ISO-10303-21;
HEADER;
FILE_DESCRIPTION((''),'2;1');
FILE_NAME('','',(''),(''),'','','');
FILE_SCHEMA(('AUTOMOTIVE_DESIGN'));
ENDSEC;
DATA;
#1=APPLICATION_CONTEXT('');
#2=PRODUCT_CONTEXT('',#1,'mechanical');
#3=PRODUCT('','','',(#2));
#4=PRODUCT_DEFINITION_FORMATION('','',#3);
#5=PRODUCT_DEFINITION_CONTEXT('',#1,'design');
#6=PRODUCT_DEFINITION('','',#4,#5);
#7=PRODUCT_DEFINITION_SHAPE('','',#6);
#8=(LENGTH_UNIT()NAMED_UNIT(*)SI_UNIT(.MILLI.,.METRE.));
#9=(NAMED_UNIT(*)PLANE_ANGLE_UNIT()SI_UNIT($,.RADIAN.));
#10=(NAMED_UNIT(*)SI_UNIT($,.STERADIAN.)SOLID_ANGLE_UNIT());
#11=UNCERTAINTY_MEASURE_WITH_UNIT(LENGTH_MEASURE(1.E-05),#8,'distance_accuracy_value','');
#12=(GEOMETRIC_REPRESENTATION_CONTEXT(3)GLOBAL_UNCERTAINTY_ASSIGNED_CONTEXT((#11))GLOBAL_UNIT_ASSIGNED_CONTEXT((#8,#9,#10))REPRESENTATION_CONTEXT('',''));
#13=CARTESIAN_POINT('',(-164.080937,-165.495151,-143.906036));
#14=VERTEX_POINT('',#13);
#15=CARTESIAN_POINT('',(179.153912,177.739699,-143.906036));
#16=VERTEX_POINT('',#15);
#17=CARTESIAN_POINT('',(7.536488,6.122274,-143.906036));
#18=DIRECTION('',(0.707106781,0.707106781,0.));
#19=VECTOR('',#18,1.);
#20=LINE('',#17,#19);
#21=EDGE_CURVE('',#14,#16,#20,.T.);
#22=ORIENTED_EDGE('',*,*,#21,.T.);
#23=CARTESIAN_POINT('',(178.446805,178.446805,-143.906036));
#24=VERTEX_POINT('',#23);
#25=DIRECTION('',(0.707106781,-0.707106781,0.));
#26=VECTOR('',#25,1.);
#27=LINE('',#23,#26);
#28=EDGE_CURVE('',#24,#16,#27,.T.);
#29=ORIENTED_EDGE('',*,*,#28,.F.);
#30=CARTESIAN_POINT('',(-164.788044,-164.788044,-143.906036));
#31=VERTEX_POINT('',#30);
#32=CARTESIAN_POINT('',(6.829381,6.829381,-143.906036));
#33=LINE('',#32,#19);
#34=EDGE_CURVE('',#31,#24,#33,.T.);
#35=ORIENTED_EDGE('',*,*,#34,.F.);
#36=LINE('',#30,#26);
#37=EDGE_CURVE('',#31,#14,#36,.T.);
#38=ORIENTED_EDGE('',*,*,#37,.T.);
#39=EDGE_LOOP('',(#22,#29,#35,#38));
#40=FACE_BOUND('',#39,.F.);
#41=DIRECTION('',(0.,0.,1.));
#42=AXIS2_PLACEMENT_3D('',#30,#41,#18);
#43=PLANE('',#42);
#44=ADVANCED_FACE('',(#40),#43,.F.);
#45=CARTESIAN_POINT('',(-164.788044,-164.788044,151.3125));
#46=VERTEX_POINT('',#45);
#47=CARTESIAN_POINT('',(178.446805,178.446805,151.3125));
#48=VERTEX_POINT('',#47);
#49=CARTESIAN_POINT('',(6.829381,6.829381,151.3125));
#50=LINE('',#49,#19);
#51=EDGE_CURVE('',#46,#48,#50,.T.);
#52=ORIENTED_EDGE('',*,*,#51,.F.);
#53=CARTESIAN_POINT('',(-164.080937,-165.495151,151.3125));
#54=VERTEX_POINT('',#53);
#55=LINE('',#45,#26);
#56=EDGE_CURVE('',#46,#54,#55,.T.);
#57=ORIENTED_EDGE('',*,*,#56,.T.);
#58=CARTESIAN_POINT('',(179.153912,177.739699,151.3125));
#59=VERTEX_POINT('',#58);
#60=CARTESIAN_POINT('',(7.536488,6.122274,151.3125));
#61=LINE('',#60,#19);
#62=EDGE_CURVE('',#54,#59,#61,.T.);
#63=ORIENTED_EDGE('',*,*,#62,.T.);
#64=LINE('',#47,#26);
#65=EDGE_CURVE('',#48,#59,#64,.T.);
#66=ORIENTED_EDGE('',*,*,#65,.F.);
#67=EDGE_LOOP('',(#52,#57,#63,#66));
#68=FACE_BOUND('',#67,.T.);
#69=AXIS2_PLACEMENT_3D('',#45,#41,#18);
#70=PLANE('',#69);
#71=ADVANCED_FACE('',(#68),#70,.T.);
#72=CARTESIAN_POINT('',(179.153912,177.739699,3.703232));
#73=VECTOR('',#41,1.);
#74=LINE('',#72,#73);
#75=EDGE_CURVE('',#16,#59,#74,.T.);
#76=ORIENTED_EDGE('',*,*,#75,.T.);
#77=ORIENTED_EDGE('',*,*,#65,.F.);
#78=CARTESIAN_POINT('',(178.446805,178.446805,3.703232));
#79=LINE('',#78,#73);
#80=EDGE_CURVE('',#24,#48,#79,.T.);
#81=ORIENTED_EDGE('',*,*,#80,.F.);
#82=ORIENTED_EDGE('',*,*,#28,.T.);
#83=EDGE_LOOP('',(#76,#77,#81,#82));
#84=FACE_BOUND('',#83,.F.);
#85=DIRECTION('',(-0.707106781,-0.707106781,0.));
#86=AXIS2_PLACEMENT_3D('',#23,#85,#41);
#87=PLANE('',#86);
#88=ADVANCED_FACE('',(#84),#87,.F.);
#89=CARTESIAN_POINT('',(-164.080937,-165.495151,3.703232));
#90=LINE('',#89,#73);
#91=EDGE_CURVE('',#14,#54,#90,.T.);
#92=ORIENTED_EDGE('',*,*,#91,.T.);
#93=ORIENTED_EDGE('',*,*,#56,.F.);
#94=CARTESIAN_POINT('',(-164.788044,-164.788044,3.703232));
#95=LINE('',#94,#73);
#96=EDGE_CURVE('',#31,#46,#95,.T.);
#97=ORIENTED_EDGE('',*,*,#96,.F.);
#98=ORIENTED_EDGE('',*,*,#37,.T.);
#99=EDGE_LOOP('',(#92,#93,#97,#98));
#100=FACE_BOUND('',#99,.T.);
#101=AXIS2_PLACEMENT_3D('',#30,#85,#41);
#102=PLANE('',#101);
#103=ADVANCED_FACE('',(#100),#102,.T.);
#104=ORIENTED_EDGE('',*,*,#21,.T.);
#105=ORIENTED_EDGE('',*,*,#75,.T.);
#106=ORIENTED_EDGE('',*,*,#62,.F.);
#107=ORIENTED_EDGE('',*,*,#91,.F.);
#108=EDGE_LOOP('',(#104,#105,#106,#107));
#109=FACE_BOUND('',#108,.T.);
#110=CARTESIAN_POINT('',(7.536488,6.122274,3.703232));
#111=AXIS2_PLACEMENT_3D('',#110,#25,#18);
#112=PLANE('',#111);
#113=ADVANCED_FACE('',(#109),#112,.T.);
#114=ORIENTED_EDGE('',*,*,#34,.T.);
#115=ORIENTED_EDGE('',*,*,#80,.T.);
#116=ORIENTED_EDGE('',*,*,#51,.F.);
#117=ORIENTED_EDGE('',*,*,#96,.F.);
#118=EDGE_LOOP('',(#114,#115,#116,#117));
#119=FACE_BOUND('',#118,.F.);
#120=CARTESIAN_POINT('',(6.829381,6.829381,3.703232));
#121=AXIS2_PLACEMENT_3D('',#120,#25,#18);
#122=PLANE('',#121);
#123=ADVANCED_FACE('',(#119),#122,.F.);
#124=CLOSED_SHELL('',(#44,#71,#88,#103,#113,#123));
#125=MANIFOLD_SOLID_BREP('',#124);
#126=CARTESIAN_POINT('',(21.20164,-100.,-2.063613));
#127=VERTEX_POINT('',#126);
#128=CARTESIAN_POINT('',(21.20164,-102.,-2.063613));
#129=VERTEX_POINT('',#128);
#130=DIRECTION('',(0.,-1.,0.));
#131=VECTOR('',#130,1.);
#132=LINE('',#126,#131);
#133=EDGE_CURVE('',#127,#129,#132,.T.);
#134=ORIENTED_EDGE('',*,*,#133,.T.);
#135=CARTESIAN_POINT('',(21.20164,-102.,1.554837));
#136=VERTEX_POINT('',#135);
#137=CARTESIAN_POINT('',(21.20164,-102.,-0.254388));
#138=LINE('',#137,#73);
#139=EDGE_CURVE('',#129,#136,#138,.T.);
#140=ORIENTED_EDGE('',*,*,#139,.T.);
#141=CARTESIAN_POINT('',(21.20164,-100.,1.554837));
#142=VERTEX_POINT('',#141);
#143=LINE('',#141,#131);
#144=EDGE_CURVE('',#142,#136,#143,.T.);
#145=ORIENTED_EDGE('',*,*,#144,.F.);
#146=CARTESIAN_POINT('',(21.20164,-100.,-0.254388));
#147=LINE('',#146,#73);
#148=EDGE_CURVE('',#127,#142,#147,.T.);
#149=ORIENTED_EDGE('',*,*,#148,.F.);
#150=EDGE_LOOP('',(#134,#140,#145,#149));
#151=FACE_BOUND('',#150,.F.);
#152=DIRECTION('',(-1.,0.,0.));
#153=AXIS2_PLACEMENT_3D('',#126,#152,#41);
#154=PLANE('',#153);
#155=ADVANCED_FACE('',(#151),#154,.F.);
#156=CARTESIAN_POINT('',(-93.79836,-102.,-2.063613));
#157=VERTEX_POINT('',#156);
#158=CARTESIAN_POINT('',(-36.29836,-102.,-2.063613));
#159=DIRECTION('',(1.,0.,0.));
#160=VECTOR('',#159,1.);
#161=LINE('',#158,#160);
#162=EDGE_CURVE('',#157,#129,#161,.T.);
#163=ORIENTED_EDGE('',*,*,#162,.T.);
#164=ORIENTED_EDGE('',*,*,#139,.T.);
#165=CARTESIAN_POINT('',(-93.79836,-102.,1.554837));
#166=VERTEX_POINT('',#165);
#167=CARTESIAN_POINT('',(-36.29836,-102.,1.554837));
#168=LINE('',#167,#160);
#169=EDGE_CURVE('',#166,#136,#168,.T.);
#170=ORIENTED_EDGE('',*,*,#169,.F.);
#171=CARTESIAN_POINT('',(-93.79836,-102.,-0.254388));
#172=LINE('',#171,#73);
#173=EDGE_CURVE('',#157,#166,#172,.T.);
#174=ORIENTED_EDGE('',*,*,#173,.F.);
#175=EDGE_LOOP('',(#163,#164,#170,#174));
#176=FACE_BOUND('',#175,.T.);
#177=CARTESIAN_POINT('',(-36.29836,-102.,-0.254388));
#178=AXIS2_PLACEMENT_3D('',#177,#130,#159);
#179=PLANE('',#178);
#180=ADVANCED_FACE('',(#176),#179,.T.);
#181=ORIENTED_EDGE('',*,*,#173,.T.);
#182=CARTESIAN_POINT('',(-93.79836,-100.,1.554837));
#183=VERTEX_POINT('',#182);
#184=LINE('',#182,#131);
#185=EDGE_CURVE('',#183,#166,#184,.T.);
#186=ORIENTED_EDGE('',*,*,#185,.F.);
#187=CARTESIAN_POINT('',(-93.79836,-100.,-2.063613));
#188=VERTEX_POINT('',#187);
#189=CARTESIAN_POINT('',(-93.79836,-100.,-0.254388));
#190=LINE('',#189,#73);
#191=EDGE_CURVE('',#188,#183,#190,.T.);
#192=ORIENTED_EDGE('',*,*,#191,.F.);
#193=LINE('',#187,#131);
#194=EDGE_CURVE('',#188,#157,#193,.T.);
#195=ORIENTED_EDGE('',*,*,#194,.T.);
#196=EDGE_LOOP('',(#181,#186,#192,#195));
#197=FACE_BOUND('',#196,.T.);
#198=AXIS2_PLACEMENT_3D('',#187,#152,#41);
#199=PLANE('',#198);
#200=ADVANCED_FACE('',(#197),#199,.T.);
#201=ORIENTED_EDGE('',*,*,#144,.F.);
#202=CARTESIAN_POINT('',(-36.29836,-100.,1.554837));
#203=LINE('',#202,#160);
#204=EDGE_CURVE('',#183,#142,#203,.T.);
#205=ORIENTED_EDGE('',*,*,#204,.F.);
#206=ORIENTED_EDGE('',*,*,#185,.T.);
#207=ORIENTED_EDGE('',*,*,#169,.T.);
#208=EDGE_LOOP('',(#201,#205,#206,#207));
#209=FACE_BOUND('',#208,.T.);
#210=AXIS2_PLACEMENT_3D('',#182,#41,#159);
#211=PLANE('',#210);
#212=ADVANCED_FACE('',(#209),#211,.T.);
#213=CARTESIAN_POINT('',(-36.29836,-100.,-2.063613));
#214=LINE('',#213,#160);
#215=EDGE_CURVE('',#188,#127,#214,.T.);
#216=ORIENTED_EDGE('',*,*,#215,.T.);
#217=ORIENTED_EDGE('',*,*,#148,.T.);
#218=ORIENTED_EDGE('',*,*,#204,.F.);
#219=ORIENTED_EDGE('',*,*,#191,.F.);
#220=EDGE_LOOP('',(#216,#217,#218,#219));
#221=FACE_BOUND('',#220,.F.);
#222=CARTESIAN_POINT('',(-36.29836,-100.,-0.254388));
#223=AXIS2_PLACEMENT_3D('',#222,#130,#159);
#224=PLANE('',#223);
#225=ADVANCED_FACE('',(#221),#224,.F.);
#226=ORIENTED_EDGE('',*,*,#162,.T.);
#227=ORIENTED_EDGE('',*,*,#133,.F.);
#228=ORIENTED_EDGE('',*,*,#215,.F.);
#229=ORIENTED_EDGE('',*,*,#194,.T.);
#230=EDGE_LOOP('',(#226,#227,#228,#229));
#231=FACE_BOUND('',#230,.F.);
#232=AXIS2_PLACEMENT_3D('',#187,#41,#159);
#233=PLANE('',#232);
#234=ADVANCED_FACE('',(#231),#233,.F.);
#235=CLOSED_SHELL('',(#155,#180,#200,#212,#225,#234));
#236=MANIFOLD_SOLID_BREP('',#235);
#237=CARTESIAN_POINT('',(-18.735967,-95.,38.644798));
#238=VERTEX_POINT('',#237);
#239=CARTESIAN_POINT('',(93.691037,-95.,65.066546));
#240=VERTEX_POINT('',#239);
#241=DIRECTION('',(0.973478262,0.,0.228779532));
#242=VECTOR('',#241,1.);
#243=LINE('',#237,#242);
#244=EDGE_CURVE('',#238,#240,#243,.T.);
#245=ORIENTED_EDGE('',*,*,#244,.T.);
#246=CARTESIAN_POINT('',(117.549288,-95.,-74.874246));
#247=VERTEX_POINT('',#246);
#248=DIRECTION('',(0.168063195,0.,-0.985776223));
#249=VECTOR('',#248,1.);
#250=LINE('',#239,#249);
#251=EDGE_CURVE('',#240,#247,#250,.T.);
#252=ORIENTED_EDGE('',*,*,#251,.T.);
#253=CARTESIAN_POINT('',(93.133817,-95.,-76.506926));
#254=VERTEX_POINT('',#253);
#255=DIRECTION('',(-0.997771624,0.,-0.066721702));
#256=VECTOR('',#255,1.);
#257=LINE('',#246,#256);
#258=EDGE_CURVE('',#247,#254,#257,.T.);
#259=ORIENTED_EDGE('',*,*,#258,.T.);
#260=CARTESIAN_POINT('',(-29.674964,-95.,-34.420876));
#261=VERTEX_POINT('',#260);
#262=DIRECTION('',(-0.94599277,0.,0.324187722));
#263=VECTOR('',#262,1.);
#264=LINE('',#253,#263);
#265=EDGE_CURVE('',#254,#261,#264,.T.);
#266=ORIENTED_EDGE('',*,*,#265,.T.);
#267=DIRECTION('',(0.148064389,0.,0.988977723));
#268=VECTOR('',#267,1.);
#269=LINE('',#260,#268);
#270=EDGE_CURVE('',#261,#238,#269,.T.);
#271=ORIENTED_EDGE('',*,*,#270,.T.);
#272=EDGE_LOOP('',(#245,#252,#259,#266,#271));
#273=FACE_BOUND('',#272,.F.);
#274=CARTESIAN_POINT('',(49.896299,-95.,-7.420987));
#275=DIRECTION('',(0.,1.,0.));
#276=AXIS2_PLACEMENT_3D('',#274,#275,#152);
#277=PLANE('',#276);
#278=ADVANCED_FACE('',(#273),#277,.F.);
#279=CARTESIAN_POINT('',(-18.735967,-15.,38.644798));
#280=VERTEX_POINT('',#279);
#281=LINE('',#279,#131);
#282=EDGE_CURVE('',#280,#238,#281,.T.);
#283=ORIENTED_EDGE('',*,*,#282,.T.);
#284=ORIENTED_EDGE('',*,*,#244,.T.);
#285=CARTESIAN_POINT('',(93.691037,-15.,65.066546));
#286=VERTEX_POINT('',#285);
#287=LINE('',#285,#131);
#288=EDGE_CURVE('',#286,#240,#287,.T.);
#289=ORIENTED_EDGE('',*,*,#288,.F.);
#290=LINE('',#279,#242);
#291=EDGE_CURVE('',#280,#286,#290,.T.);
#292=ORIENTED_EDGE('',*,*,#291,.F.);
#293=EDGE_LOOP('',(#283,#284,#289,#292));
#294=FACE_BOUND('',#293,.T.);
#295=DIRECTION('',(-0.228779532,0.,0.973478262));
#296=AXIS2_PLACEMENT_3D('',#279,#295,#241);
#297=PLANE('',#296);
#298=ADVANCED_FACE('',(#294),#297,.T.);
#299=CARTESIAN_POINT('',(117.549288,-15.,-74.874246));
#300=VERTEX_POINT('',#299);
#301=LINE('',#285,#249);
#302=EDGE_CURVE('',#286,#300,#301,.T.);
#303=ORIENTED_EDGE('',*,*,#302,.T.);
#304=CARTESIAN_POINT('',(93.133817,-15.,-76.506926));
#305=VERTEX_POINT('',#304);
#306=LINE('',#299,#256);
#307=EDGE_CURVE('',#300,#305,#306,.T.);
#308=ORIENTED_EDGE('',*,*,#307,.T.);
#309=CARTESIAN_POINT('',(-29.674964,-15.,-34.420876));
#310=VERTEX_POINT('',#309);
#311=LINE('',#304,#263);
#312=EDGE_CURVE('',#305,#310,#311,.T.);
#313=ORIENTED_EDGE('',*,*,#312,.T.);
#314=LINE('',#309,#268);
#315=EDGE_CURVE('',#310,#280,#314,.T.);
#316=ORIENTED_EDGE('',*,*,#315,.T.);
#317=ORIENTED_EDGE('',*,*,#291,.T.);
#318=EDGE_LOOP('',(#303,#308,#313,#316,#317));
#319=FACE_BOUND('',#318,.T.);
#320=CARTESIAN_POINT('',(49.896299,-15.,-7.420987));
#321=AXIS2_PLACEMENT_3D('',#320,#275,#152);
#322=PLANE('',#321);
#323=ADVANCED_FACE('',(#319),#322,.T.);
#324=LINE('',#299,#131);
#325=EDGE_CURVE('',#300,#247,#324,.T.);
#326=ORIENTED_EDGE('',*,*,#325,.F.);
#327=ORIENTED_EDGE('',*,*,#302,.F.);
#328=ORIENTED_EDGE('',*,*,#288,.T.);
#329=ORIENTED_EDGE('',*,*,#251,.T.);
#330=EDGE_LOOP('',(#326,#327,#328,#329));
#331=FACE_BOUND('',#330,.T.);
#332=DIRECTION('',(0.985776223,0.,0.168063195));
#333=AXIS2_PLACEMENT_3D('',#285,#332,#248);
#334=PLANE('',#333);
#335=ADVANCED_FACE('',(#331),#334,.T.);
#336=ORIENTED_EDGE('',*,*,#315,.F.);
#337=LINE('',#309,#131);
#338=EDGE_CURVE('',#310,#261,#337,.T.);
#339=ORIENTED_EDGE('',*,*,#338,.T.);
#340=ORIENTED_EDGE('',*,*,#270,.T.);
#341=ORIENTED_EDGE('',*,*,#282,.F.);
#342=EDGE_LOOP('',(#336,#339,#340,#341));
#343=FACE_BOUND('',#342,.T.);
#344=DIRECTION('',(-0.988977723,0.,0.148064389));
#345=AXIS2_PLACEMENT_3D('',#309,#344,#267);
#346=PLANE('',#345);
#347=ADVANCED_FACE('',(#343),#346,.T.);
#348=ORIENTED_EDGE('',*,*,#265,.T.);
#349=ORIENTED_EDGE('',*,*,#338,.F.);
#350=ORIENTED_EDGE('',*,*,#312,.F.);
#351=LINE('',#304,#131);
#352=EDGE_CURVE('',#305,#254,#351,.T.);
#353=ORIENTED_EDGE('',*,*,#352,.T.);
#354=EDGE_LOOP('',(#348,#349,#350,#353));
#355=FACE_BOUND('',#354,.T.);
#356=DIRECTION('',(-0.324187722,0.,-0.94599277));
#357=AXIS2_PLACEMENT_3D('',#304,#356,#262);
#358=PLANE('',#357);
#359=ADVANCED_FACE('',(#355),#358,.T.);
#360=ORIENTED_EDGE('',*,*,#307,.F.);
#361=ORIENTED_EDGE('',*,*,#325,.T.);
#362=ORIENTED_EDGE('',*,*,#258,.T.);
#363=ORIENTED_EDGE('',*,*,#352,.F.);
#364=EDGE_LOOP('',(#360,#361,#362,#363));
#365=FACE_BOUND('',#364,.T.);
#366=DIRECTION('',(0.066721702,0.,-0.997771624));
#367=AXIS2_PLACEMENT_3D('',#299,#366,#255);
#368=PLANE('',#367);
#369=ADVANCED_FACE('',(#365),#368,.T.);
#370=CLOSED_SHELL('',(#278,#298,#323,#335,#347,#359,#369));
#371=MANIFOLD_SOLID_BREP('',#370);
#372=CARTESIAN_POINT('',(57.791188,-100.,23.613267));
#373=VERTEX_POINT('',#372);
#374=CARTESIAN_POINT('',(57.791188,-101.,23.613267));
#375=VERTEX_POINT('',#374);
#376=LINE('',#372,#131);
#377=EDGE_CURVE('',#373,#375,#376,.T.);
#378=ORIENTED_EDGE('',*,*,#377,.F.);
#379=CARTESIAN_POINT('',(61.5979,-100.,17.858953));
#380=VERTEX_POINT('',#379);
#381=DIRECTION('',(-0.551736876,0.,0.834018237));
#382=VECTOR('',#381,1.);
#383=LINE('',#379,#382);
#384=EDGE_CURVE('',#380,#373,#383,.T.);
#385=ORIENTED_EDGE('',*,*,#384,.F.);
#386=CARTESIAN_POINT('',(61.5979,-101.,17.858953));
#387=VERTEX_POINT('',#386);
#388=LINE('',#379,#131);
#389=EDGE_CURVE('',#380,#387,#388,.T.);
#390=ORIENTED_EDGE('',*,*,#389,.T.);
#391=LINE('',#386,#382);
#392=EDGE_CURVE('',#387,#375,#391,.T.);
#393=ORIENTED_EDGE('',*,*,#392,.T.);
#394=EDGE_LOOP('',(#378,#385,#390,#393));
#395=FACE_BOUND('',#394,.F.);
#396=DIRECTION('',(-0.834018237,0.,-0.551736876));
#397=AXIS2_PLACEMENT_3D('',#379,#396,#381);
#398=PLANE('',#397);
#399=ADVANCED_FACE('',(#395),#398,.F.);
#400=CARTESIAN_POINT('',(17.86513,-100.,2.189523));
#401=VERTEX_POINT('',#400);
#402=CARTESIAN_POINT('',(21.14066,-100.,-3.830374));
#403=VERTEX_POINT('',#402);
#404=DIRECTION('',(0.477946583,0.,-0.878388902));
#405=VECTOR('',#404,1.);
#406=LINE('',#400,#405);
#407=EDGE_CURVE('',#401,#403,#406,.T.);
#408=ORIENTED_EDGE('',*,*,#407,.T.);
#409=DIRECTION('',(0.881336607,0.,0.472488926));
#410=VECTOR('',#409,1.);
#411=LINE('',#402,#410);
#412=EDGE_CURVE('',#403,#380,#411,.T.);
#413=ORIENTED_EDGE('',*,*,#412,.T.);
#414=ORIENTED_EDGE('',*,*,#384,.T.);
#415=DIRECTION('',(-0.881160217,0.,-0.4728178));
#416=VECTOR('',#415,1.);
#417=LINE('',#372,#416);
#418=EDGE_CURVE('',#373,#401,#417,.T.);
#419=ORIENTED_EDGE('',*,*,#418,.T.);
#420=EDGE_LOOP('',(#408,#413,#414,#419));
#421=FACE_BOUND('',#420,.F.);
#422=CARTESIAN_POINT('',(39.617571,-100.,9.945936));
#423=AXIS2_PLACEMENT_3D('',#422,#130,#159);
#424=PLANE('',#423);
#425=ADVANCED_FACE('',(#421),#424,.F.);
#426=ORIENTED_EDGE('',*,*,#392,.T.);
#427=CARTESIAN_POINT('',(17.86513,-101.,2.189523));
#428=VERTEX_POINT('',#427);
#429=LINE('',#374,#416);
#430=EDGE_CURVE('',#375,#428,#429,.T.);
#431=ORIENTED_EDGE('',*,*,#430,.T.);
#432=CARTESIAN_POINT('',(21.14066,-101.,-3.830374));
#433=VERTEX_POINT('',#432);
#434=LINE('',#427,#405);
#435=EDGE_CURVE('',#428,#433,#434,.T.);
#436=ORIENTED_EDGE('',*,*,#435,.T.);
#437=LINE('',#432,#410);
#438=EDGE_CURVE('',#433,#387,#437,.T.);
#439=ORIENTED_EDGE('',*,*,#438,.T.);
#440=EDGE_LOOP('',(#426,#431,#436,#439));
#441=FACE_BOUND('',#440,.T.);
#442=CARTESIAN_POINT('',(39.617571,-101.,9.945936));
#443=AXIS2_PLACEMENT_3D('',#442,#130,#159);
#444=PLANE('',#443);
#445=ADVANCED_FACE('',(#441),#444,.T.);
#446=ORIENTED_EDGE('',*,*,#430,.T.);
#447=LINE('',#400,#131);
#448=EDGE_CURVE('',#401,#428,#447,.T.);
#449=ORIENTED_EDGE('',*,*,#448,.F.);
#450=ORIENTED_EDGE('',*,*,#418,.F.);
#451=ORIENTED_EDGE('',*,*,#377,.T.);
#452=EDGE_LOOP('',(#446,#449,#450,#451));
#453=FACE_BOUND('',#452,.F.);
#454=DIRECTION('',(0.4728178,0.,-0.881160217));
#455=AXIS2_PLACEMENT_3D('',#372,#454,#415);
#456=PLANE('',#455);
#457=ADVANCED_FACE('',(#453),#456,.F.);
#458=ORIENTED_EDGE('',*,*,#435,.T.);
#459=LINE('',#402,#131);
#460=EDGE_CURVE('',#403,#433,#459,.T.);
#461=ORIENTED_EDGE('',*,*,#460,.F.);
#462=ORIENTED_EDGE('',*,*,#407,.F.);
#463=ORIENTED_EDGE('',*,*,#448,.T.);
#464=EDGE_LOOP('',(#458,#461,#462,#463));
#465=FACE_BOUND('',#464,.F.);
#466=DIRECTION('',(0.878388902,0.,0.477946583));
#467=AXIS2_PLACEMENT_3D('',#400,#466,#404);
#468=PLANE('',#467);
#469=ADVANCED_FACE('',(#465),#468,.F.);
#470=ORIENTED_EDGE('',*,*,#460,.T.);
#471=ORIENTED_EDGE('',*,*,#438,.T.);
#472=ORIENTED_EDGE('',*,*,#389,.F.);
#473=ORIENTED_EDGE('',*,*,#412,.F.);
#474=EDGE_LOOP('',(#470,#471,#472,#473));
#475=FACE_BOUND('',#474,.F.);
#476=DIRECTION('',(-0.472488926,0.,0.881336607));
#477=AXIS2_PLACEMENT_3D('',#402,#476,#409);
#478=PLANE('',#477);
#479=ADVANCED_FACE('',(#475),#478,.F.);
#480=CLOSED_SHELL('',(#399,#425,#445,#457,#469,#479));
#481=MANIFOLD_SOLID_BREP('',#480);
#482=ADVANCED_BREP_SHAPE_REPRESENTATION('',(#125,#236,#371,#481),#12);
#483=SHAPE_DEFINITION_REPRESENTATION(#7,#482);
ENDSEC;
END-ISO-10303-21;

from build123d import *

# Parameters (mm, degrees)
PAD_DEPTH    = 80
SKETCH001_W  = 115
SKETCH001_H  = 3.61845
PAD001_DEPTH = 2
SKETCH002_W  = 485.407379
SKETCH002_H  = 295.218536
PAD002_DEPTH = 1
PAD003_DEPTH = 1


with BuildPart() as clock:
    # Sketch → Pad (new body)
    with BuildSketch(Plane.XZ):
        Polygon((-18.735967, 38.644798), (93.691037, 65.066546), (117.549288, -74.874246), (93.133817, -76.506926), (-29.674964, -34.420876), align=None)
    extrude(amount=PAD_DEPTH)


with BuildPart() as clock_1:
    # Body001 placement: moved
    add(clock.part.moved(Location((0, -15, 0))))


with BuildPart() as mins:
    # Sketch001 → Pad001 (new body)
    with BuildSketch(Plane.XZ.offset(100)):
        with Locations((-36.29836, -0.254388)):
            Rectangle(SKETCH001_W, SKETCH001_H)
    extrude(amount=PAD001_DEPTH)


with BuildPart() as wall:
    # Sketch002 → Pad002 (new body)
    with BuildSketch(Plane(origin=(0, 0, 0), x_dir=(0.707107, 0.707107, 0), z_dir=(0.707107, -0.707107, 0))):
        with Locations((9.658203, 3.703232)):
            Rectangle(SKETCH002_W, SKETCH002_H)
    extrude(amount=PAD002_DEPTH)


with BuildPart() as hours:
    # Sketch003 → Pad003 (new body)
    with BuildSketch(Plane.XZ.offset(100)):
        Polygon((17.86513, 2.189523), (21.14066, -3.830374), (61.5979, 17.858953), (57.791188, 23.613267), align=None)
    extrude(amount=PAD003_DEPTH)


solid = Compound([clock_1.part, mins.part, wall.part, hours.part])
